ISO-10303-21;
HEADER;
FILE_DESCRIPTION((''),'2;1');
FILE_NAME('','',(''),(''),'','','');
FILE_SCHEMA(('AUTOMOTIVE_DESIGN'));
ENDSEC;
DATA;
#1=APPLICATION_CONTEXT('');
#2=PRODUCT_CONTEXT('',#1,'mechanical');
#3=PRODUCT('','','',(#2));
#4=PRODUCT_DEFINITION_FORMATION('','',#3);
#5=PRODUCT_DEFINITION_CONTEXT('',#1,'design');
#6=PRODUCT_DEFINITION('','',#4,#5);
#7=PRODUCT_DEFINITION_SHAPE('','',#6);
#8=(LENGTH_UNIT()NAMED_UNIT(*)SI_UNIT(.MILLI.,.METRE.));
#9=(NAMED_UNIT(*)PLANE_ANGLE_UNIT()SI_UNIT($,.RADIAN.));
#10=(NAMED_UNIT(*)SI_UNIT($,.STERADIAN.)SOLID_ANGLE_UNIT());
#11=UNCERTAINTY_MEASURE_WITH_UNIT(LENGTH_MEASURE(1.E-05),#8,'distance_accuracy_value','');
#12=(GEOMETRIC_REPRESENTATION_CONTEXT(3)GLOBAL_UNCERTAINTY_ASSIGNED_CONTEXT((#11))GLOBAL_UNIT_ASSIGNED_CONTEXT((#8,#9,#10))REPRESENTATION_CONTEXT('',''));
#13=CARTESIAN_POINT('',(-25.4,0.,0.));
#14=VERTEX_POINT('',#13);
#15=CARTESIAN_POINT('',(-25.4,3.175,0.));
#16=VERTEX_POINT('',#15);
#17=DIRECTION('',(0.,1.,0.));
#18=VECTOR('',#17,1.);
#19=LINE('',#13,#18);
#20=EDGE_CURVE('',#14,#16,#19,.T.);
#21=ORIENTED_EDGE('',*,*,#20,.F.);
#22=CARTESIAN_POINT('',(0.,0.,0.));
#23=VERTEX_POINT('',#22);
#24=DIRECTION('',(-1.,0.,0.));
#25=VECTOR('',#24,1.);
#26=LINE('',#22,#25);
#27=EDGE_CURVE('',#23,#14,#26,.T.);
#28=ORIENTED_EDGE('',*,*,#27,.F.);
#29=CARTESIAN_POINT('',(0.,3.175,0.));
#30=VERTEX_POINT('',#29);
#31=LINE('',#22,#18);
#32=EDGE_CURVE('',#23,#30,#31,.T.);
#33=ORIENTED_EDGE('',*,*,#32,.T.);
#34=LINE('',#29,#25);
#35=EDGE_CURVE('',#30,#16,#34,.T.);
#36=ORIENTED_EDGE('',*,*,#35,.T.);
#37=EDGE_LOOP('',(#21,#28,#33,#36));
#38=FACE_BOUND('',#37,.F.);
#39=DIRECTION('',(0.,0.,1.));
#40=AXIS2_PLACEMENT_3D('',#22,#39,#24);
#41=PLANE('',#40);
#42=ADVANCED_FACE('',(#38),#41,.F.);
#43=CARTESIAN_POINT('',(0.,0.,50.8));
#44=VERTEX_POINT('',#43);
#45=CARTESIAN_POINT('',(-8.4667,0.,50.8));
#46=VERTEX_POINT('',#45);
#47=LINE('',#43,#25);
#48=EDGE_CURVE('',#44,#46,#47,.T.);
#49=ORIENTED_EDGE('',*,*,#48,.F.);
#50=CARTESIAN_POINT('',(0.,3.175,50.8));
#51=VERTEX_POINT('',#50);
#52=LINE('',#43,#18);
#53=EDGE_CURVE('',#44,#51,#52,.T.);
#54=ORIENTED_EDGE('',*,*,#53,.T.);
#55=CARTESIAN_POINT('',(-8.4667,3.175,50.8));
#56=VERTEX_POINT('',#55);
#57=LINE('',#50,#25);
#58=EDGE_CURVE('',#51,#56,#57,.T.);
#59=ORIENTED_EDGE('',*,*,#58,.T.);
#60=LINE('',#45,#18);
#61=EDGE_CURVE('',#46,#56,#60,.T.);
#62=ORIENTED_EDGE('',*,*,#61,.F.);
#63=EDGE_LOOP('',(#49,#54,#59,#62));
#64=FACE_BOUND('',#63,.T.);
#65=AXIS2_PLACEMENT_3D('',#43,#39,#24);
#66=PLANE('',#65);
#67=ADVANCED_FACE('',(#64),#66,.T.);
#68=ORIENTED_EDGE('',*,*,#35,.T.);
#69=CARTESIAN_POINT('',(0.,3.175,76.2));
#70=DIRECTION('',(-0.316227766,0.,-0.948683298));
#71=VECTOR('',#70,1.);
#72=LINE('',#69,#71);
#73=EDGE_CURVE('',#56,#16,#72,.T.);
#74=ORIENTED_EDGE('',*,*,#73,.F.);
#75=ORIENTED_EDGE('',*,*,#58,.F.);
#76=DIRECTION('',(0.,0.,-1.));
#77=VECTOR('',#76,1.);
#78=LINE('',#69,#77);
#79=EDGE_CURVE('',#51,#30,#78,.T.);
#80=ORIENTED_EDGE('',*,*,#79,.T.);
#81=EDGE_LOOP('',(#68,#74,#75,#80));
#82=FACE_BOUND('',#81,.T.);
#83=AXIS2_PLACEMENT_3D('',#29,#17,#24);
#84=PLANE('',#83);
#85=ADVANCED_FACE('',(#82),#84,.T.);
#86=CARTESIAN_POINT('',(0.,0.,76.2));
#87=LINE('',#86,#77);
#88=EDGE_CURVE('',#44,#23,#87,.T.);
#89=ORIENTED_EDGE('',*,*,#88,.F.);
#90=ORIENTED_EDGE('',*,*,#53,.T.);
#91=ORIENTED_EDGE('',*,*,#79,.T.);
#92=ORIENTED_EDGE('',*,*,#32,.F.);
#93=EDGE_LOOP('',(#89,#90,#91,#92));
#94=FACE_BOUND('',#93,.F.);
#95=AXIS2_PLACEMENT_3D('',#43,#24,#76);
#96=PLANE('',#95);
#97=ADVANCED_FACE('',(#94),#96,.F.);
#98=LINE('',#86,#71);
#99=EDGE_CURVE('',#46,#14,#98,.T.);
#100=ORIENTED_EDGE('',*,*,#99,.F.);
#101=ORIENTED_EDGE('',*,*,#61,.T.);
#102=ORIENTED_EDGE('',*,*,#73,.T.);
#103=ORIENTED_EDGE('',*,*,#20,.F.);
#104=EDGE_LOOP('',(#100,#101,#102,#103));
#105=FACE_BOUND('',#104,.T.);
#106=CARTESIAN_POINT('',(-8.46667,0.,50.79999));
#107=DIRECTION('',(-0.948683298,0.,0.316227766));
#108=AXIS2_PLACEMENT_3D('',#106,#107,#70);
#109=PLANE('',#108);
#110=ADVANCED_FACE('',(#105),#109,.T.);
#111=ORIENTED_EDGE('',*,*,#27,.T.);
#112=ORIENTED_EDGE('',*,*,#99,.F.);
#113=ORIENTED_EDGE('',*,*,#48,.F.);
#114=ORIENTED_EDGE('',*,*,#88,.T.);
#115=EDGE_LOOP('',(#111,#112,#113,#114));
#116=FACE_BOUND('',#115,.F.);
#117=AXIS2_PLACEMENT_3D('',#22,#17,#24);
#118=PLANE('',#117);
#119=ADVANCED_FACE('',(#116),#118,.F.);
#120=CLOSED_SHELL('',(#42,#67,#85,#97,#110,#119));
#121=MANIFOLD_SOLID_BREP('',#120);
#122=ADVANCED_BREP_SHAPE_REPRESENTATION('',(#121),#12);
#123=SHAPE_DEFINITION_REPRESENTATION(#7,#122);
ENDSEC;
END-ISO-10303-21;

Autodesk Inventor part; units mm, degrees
ref_plane "YZ Plane" through (0, 0, 0) normal (1, 0, 0) x (0, 1, 0)
ref_plane "XZ Plane" through (0, 0, 0) normal (0, 1, 0) x (-1, 0, 0)
ref_plane "XY Plane" through (0, 0, 0) normal (0, 0, 1) x (1, 0, 0)
sketch "Sketch1" plane through (0, 0, 0) normal (0, 1, 0) x (-1, 0, 0)
  line L0 (0, 0) -> (25.4, 0)
  line L1 (25.4, 0) -> (25.4, 76.2)
  line L2 (25.4, 76.2) -> (0, 76.2)
  line L3 (0, 76.2) -> (0, 0)
  line L4 (0, 76.2) -> (25.4, 0)
  line L5 (0, 50.8) -> (8.4667, 50.8)
  dimension "d0" = 25.4
  dimension "d1" = 76.2
  dimension "d4" = 50.8
extrude "Extrusion1" add sketch "Sketch1" along normal blind 3.175 contours L3 L5 L4 L0
properties part number "triangleBrace"
